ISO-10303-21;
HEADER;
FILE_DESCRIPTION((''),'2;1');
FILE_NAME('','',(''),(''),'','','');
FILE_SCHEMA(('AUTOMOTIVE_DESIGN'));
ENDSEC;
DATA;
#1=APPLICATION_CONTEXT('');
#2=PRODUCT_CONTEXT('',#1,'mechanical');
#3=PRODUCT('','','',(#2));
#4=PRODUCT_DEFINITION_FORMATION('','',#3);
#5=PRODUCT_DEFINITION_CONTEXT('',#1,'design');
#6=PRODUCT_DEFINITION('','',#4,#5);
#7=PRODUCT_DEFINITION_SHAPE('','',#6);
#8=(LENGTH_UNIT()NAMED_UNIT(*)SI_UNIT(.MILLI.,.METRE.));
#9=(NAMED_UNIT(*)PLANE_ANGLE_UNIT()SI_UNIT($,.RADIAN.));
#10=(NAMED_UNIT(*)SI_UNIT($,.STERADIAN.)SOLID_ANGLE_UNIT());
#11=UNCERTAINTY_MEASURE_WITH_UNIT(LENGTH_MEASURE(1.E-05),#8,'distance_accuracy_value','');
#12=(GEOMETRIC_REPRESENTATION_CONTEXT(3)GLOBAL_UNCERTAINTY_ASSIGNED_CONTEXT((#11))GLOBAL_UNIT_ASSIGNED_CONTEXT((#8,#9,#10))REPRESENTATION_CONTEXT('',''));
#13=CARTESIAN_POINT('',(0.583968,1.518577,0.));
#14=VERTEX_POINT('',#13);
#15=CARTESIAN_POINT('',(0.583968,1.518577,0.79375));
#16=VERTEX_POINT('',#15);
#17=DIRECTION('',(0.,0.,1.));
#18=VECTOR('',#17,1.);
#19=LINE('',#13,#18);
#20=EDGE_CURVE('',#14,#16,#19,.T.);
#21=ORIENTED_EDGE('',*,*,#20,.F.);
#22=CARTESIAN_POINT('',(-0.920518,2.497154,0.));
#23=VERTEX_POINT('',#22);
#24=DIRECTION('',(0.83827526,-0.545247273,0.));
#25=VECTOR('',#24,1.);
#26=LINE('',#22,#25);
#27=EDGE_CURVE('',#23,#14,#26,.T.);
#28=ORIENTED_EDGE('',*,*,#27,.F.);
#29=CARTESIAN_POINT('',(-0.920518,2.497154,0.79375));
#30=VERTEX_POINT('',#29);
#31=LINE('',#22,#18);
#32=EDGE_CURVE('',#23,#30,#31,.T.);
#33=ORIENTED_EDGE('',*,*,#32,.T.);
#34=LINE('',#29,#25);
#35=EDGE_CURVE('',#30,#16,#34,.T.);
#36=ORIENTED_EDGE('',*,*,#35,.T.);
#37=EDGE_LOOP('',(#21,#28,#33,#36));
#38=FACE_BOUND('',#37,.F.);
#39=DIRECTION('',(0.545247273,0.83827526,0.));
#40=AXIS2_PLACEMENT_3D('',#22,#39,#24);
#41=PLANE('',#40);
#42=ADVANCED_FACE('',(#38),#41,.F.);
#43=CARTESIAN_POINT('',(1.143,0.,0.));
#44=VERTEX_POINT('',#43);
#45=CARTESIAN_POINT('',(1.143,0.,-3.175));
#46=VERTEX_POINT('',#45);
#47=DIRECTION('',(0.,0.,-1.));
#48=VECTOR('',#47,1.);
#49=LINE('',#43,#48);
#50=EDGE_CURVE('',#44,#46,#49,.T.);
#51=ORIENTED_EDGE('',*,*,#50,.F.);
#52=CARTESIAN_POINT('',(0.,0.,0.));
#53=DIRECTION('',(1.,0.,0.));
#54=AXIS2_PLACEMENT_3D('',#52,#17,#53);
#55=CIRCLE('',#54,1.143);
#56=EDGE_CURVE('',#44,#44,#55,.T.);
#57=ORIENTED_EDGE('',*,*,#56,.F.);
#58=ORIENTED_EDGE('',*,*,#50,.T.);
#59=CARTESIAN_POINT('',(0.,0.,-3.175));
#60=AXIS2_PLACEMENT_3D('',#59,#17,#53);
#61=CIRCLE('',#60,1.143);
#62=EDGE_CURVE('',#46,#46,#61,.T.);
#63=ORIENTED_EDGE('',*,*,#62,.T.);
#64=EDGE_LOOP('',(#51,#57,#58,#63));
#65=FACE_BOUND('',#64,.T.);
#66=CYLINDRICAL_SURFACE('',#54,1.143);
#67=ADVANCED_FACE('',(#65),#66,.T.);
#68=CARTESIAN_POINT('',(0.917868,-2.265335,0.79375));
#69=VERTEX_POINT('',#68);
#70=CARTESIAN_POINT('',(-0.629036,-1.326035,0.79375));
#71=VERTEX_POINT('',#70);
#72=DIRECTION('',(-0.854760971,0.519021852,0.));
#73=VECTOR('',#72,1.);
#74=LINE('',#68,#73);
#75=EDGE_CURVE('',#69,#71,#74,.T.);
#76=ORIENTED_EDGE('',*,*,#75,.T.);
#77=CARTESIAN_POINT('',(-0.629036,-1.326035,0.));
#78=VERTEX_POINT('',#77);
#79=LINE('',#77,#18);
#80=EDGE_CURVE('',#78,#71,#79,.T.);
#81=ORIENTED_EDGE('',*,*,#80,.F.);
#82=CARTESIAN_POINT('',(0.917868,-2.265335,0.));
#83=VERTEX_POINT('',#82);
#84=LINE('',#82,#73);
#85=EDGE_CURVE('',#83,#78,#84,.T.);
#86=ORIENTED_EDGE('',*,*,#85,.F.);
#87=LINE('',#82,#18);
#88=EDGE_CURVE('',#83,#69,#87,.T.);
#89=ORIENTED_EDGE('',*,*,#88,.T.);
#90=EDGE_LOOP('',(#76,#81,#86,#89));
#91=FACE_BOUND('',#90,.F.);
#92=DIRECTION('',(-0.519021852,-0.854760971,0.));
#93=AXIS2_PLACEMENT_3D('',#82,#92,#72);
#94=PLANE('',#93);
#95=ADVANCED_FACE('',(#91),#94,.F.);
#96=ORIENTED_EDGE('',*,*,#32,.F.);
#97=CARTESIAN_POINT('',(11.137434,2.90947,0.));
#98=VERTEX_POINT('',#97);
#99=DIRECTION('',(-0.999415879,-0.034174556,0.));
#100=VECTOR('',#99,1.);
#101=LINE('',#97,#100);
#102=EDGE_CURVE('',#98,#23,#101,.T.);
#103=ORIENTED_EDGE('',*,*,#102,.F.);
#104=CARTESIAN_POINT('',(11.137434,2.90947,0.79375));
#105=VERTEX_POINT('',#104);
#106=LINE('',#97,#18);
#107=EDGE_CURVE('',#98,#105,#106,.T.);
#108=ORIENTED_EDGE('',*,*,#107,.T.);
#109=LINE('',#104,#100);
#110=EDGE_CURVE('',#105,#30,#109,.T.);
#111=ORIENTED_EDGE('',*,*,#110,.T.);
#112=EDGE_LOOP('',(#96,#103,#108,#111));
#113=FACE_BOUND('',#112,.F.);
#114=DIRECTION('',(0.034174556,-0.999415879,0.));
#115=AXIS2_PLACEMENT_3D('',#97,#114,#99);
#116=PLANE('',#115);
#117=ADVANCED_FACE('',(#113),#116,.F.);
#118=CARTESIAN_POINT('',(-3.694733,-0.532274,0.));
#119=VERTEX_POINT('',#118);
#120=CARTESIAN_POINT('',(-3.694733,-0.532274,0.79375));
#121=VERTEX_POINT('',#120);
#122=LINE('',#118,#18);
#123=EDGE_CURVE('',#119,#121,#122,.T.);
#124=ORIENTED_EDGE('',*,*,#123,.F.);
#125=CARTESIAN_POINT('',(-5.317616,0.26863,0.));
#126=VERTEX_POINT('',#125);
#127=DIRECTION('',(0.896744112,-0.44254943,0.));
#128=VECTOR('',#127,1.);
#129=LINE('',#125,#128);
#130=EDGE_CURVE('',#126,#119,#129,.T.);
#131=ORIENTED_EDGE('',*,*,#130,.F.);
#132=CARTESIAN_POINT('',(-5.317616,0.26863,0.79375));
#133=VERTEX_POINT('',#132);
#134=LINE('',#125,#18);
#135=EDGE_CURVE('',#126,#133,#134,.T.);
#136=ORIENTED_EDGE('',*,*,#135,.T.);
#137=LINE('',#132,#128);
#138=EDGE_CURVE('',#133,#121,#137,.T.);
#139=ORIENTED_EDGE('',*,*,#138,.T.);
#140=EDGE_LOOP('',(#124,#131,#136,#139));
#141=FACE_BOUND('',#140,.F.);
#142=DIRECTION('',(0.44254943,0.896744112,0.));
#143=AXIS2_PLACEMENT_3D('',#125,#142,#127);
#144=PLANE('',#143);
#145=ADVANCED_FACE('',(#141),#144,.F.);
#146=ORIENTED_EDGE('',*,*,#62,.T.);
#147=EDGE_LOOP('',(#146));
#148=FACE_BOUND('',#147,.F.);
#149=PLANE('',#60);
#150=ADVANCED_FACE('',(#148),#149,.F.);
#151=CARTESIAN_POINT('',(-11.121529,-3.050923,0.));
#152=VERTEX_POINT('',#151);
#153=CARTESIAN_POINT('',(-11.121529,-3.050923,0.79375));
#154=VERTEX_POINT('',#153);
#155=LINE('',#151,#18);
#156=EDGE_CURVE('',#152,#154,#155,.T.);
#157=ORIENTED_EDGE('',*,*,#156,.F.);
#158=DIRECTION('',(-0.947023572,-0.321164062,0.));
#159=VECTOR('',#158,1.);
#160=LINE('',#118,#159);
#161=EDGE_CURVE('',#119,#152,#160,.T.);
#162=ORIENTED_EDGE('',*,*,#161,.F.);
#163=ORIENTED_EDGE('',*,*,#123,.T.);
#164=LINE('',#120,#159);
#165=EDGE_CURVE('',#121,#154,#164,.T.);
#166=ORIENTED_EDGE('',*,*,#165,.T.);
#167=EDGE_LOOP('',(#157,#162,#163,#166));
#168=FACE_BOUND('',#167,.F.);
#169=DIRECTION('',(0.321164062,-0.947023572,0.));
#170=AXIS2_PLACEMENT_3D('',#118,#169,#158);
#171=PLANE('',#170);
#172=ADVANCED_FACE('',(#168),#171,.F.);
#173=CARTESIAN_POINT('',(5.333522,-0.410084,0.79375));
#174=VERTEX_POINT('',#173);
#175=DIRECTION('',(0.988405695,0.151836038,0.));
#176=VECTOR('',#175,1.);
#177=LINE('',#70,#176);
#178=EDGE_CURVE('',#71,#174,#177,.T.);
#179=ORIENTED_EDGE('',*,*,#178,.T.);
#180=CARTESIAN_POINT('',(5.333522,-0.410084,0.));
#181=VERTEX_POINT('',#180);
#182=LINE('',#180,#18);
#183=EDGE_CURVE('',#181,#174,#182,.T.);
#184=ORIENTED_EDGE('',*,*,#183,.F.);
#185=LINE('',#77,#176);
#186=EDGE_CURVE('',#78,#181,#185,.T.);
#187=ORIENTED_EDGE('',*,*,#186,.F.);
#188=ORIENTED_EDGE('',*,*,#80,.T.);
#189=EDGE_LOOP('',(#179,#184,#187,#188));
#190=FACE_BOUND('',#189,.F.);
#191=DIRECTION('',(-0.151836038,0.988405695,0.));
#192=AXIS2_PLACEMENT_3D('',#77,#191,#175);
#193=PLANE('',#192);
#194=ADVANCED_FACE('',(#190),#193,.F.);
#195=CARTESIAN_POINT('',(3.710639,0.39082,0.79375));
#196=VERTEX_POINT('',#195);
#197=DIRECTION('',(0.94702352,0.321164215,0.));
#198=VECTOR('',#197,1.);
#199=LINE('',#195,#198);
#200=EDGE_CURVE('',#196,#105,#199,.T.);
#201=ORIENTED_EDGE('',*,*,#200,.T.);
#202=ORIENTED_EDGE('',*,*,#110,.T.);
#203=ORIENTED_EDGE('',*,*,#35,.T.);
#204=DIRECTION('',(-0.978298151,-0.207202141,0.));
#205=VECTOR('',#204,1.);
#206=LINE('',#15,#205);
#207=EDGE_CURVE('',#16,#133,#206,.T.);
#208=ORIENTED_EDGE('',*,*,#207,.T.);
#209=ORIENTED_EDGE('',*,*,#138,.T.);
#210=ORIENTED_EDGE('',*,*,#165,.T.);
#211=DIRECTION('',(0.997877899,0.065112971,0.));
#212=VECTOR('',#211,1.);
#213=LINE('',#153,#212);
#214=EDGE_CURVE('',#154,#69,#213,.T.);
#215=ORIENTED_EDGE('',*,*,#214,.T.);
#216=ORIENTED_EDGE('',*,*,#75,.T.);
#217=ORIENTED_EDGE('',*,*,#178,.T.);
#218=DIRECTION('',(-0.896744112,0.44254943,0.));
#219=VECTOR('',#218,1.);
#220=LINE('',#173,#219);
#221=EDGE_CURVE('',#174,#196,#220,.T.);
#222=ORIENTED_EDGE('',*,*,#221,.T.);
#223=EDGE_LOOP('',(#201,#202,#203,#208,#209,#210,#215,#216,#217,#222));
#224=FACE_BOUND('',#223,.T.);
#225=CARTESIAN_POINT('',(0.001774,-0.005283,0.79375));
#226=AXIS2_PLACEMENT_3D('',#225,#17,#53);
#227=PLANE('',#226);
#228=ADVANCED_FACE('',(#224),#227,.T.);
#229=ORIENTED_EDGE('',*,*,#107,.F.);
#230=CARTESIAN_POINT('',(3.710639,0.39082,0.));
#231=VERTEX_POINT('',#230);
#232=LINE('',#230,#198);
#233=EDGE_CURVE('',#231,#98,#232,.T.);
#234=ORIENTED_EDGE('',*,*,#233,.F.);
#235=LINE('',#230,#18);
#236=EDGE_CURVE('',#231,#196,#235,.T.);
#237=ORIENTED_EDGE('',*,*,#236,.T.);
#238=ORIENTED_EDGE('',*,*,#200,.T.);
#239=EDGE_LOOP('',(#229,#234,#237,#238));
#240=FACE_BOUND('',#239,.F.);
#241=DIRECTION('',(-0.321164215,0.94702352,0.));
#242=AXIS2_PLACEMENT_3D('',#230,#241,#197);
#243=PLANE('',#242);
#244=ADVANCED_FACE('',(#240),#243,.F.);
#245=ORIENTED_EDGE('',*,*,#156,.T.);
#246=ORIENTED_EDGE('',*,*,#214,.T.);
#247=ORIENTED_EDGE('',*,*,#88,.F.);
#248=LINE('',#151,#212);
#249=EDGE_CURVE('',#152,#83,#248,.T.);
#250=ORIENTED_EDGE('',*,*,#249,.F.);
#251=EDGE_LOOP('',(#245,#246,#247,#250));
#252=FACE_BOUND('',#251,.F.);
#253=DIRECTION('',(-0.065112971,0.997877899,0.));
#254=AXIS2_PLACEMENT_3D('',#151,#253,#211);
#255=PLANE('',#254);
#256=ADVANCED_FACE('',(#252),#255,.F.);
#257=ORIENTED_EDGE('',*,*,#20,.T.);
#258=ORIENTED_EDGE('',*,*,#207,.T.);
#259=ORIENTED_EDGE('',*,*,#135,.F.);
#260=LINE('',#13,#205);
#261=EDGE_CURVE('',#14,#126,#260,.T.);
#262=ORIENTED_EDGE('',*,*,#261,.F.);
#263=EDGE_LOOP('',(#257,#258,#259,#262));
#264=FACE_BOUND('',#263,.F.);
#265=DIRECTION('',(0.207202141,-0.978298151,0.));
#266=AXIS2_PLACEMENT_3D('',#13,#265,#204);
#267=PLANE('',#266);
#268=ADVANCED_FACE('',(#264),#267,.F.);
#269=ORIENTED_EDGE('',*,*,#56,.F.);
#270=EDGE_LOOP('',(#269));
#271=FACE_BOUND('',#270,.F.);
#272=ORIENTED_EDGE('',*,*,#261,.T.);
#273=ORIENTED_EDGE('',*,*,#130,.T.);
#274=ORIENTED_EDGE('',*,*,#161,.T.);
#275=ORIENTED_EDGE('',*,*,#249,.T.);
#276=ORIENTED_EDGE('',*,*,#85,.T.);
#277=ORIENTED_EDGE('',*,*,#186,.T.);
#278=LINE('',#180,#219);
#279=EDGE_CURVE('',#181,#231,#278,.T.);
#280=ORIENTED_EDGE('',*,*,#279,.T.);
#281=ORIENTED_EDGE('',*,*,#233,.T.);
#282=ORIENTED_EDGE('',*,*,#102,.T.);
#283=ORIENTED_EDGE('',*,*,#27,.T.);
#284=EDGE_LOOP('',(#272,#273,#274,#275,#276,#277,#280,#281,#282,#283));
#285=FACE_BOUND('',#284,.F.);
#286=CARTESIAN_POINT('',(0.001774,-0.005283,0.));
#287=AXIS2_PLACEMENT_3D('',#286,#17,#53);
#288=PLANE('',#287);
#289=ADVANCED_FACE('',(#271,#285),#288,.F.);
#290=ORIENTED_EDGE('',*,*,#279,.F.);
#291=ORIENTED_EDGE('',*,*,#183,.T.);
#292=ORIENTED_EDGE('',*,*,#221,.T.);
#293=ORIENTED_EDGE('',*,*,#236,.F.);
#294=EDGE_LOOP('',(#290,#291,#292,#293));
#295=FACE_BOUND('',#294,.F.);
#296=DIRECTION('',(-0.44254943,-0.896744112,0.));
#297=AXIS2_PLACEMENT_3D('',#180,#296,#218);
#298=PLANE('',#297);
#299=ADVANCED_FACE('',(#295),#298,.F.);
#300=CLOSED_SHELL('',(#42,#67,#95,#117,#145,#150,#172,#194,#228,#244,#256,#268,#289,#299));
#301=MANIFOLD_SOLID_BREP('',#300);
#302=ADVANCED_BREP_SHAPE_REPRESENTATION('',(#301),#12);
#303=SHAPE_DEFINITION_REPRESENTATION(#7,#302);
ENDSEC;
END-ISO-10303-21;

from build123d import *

# Parameters (mm, degrees)
F1_DEPTH = 0.79375
F2_R     = 1.143
F3_DEPTH = 3.175


with BuildPart() as f1:
    # F0 (on Top) → F1 (new body)
    with BuildSketch(Plane.XY):
        Polygon((-3.694733, -0.532274), (-11.121529, -3.050923), (0.917868, -2.265335), (-0.629036, -1.326035), (5.333522, -0.410084), (3.710639, 0.39082), (11.137434, 2.90947), (-0.920518, 2.497154), (0.583968, 1.518577), (-5.317616, 0.26863), align=None)
    extrude(amount=F1_DEPTH)

    # F2 (on face) → F3 (join)
    with BuildSketch(Plane.XY):
        Circle(F2_R)
    extrude(amount=-F3_DEPTH)


solid = f1.part
